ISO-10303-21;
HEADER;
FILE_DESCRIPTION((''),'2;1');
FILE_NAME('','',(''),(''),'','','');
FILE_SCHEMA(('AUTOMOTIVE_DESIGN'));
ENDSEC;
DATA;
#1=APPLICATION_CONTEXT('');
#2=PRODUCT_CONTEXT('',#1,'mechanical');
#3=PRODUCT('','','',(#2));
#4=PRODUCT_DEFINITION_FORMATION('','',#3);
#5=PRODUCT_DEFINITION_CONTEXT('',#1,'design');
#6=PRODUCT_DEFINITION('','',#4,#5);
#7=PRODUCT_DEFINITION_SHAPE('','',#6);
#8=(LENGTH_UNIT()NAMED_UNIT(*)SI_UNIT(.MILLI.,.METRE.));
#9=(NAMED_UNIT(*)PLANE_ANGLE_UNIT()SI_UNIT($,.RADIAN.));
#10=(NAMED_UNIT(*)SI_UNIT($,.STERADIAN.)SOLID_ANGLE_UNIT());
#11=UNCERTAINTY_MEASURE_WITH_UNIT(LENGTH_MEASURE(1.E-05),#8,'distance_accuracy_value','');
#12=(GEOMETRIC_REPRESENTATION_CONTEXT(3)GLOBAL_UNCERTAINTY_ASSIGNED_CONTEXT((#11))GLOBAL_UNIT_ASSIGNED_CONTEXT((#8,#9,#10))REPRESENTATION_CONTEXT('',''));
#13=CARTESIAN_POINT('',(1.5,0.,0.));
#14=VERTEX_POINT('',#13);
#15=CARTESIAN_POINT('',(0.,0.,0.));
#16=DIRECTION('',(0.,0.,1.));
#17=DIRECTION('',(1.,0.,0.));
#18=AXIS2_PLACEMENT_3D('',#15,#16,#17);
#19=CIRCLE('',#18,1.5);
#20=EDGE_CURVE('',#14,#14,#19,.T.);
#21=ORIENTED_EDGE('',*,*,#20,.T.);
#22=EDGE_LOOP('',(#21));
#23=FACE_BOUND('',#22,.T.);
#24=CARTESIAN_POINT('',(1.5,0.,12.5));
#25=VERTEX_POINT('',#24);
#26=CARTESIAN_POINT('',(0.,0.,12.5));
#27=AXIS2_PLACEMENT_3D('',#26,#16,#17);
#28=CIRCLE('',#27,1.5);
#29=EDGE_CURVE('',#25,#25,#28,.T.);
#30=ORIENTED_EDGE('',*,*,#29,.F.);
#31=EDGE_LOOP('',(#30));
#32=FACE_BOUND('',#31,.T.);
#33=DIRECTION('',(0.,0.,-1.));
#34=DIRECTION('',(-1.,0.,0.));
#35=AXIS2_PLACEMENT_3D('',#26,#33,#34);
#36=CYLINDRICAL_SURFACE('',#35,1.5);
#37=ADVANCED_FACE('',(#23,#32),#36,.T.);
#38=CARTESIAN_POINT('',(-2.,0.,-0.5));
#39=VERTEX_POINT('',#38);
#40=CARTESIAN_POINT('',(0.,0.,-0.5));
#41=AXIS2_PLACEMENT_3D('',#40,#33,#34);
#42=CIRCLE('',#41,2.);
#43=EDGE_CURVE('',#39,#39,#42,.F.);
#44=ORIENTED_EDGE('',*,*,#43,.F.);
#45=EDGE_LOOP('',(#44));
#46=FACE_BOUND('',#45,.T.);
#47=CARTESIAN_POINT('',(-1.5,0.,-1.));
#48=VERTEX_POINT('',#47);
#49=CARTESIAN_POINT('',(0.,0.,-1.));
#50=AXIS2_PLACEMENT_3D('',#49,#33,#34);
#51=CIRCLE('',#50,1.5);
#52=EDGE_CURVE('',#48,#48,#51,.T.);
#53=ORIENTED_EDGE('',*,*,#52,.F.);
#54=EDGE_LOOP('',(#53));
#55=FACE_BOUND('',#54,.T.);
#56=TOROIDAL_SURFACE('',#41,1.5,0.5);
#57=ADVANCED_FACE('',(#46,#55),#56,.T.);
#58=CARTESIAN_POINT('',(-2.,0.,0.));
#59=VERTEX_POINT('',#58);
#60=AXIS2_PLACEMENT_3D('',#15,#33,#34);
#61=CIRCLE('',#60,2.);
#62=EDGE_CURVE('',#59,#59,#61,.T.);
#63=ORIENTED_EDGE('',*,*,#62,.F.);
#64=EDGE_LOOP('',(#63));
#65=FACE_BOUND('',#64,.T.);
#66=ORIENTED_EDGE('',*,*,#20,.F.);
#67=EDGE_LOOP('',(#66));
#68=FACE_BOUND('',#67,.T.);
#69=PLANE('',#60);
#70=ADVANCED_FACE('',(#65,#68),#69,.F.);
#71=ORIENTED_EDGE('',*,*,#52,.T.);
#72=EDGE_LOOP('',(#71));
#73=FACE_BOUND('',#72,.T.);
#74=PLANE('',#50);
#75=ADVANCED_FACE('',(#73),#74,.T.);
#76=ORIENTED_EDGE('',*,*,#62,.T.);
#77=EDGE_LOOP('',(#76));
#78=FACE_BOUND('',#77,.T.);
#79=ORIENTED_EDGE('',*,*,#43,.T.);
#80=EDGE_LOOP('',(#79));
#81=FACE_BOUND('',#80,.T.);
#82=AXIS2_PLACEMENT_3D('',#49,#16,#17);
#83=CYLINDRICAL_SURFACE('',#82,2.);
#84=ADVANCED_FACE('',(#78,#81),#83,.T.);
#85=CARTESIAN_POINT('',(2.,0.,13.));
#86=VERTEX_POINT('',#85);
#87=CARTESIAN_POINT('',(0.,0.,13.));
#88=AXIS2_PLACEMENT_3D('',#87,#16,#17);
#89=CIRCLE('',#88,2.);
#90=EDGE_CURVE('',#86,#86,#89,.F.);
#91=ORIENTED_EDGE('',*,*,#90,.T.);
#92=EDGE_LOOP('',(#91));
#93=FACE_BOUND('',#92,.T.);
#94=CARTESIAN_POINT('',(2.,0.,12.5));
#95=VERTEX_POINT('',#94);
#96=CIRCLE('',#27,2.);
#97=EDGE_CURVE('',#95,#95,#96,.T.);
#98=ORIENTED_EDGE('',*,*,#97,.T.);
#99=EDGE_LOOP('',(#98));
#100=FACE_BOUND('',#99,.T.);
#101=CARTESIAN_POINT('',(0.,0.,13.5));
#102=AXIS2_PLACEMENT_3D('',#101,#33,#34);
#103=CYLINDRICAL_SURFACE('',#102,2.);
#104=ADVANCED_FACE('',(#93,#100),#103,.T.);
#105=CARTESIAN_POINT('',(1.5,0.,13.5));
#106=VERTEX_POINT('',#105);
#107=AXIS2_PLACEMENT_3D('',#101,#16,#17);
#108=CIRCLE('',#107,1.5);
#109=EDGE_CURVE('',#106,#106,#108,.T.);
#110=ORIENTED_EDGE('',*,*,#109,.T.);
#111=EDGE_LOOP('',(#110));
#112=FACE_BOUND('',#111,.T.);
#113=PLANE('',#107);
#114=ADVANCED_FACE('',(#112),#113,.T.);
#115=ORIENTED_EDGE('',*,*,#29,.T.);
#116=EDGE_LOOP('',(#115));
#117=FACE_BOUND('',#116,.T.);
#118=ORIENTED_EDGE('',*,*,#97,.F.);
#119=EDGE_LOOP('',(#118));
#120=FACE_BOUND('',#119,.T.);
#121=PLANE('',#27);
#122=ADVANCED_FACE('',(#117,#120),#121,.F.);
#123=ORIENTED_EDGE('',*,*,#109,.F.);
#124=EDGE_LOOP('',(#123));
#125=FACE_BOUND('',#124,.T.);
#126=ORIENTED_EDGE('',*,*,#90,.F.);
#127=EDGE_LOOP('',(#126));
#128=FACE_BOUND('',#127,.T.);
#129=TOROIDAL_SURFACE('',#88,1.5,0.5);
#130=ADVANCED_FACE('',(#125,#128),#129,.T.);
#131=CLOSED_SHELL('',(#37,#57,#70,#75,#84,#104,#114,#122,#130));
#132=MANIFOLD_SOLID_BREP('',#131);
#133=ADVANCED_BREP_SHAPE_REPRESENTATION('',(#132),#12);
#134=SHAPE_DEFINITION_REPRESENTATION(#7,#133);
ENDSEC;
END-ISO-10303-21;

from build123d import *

# Parameters (mm, degrees)
SKETCH1_R           = 1.5
BOSS_EXTRUDE1_DEPTH = 12.5
SKETCH2_R           = 2
BOSS_EXTRUDE2_DEPTH = 1
SKETCH3_R           = 2
BOSS_EXTRUDE3_DEPTH = 1
FILLET1_R           = 0.5


with BuildPart() as part:
    # Sketch1 → Boss-Extrude1 (new body)
    with BuildSketch(Plane.XY):
        Circle(SKETCH1_R)
    extrude(amount=BOSS_EXTRUDE1_DEPTH)

    # Sketch2 → Boss-Extrude2 (add)
    with BuildSketch(Plane(origin=(0, 0, 0), x_dir=(-1, 0, 0), z_dir=(0, 0, -1))):
        Circle(SKETCH2_R)
    extrude(amount=BOSS_EXTRUDE2_DEPTH)

    # Sketch3 → Boss-Extrude3 (add)
    with BuildSketch(Plane.XY.offset(12.5)):
        Circle(SKETCH3_R)
    extrude(amount=BOSS_EXTRUDE3_DEPTH)

    # Fillet1
    fillet1_edges = [part.edges().sort_by_distance(p)[0] for p in [
        (-2, 0, 13.5),
        (2, 0, -1),
    ]]
    fillet(fillet1_edges, radius=FILLET1_R)


solid = part.part
